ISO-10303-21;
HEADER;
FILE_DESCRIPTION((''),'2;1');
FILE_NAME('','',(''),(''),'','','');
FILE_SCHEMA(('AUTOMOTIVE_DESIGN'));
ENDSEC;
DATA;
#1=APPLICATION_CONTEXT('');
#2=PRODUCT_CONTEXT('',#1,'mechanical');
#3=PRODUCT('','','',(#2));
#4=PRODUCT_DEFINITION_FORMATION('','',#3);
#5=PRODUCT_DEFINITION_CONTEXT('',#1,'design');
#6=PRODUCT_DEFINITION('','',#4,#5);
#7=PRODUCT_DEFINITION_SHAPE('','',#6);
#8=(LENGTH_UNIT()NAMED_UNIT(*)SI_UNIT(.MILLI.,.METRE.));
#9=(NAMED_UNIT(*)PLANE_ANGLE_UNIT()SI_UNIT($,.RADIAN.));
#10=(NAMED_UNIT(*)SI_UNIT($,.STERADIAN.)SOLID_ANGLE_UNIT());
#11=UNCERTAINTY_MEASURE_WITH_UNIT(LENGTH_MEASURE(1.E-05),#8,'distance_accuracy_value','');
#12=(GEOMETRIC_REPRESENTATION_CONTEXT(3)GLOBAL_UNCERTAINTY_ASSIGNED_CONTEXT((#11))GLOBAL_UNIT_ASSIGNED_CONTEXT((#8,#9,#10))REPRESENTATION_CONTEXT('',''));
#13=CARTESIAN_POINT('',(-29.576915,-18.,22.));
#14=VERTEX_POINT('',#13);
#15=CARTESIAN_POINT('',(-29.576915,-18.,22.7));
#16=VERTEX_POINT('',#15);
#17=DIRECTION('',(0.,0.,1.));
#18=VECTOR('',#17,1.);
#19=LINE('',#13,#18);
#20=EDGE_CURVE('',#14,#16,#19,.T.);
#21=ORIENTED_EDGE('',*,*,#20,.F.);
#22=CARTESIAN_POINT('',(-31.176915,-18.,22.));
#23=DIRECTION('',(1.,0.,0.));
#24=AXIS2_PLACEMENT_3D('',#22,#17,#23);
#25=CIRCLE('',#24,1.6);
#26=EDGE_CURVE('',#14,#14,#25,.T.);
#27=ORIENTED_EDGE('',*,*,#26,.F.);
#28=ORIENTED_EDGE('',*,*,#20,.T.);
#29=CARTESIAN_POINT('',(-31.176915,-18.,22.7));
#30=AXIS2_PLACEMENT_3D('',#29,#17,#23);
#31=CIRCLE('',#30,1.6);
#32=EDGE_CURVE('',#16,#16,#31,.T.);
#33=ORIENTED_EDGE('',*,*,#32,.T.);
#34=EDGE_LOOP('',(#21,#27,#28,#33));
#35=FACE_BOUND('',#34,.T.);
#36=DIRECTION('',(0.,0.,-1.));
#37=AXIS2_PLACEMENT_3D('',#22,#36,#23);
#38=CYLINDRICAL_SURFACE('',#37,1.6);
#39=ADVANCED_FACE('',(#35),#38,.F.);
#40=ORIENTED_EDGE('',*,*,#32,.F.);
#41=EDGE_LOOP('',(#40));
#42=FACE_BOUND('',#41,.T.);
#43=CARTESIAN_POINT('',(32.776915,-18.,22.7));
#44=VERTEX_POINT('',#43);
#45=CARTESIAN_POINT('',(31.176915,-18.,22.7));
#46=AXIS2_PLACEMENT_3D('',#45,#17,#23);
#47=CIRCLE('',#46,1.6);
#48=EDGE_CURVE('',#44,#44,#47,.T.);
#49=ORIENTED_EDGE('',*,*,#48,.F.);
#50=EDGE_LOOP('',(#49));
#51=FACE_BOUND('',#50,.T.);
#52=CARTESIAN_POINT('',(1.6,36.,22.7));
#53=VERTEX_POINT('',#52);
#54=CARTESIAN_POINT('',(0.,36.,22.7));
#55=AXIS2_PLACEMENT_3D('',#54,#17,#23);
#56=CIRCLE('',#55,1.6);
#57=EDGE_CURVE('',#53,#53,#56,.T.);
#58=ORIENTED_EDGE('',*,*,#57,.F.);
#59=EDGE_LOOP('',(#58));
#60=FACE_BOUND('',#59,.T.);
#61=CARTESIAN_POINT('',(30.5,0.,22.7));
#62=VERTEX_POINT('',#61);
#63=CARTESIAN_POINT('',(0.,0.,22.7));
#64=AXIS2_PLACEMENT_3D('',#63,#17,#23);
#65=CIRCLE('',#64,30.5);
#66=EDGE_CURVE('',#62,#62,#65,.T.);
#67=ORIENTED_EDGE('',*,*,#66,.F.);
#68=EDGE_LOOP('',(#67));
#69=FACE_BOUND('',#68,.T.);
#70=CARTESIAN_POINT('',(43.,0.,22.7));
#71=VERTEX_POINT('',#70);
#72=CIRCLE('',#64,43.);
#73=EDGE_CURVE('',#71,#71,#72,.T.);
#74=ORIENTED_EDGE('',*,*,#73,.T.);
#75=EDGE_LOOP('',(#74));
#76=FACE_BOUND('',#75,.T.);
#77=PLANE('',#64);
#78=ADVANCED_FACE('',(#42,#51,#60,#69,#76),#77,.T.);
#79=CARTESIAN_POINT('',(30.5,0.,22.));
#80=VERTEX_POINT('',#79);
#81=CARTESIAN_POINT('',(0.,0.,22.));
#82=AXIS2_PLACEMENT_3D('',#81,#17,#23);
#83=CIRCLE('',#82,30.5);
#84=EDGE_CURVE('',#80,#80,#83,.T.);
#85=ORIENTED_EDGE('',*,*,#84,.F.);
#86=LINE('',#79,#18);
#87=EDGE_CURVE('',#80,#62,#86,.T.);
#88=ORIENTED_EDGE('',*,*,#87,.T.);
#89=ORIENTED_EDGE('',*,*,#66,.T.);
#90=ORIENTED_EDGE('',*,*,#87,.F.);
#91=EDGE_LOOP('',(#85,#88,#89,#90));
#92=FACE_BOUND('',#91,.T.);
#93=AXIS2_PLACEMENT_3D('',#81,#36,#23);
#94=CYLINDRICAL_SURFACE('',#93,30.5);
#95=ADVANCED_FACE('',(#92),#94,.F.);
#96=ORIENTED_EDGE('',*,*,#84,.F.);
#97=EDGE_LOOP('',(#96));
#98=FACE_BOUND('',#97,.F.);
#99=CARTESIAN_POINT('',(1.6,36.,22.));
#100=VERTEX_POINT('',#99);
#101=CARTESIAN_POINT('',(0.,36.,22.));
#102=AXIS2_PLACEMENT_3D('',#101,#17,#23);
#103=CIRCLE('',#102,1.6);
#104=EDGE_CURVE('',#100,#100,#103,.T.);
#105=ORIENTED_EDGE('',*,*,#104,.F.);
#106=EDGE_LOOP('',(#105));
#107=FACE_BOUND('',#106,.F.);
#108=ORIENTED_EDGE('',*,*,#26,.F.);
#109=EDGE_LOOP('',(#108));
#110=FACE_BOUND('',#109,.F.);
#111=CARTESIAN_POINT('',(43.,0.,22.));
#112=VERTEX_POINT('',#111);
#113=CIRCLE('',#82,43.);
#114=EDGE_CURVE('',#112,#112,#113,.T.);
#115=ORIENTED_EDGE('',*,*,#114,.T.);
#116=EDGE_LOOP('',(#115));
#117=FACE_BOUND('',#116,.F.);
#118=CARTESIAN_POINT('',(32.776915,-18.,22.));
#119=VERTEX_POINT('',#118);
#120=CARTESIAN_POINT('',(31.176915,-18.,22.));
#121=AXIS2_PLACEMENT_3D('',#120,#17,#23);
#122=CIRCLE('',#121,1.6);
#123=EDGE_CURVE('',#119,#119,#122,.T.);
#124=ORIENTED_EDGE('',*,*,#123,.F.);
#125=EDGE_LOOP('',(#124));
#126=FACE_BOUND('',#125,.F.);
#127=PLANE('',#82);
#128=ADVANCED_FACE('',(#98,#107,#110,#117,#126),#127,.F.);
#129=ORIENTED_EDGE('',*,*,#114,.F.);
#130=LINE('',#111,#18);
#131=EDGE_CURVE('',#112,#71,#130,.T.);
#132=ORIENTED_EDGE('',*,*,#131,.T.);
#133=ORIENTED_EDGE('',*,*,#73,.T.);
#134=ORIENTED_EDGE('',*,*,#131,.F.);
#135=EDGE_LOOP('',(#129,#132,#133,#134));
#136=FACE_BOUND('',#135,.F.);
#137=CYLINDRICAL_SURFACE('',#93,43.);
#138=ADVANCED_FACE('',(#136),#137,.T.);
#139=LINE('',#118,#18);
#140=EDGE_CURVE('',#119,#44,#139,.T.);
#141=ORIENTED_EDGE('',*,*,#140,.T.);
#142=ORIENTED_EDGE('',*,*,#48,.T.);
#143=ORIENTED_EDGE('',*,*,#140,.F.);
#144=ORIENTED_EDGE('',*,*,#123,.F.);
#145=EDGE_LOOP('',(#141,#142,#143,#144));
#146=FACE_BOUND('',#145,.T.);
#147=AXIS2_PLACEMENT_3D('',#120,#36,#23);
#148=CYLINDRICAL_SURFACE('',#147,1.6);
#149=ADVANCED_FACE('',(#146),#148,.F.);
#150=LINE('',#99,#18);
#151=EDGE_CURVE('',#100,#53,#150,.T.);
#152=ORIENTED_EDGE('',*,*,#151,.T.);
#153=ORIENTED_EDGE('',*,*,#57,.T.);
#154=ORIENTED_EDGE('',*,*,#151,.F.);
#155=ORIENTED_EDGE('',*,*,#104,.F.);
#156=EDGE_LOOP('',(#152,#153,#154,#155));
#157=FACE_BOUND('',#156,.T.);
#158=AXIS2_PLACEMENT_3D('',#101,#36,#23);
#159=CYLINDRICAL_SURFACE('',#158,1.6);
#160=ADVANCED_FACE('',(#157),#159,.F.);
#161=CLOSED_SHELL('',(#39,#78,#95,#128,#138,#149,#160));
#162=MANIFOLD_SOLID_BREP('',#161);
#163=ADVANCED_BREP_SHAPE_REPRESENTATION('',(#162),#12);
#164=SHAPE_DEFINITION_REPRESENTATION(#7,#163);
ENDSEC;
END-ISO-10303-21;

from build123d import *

# Parameters (mm, degrees)
SKETCH006_R   = 43
SKETCH006_R_2 = 1.6
SKETCH006_R_3 = 30.5
PAD_DEPTH     = 0.7


with BuildPart() as part:
    # Sketch006 → Pad (new body)
    with BuildSketch(Plane.XY.offset(22)):
        Circle(SKETCH006_R)
        with Locations((0, 36)):
            Circle(SKETCH006_R_2, mode=Mode.SUBTRACT)
        with Locations((31.176915, -18)):
            Circle(SKETCH006_R_2, mode=Mode.SUBTRACT)
        with Locations((-31.176915, -18)):
            Circle(SKETCH006_R_2, mode=Mode.SUBTRACT)
        Circle(SKETCH006_R_3, mode=Mode.SUBTRACT)
    extrude(amount=PAD_DEPTH)


solid = part.part
